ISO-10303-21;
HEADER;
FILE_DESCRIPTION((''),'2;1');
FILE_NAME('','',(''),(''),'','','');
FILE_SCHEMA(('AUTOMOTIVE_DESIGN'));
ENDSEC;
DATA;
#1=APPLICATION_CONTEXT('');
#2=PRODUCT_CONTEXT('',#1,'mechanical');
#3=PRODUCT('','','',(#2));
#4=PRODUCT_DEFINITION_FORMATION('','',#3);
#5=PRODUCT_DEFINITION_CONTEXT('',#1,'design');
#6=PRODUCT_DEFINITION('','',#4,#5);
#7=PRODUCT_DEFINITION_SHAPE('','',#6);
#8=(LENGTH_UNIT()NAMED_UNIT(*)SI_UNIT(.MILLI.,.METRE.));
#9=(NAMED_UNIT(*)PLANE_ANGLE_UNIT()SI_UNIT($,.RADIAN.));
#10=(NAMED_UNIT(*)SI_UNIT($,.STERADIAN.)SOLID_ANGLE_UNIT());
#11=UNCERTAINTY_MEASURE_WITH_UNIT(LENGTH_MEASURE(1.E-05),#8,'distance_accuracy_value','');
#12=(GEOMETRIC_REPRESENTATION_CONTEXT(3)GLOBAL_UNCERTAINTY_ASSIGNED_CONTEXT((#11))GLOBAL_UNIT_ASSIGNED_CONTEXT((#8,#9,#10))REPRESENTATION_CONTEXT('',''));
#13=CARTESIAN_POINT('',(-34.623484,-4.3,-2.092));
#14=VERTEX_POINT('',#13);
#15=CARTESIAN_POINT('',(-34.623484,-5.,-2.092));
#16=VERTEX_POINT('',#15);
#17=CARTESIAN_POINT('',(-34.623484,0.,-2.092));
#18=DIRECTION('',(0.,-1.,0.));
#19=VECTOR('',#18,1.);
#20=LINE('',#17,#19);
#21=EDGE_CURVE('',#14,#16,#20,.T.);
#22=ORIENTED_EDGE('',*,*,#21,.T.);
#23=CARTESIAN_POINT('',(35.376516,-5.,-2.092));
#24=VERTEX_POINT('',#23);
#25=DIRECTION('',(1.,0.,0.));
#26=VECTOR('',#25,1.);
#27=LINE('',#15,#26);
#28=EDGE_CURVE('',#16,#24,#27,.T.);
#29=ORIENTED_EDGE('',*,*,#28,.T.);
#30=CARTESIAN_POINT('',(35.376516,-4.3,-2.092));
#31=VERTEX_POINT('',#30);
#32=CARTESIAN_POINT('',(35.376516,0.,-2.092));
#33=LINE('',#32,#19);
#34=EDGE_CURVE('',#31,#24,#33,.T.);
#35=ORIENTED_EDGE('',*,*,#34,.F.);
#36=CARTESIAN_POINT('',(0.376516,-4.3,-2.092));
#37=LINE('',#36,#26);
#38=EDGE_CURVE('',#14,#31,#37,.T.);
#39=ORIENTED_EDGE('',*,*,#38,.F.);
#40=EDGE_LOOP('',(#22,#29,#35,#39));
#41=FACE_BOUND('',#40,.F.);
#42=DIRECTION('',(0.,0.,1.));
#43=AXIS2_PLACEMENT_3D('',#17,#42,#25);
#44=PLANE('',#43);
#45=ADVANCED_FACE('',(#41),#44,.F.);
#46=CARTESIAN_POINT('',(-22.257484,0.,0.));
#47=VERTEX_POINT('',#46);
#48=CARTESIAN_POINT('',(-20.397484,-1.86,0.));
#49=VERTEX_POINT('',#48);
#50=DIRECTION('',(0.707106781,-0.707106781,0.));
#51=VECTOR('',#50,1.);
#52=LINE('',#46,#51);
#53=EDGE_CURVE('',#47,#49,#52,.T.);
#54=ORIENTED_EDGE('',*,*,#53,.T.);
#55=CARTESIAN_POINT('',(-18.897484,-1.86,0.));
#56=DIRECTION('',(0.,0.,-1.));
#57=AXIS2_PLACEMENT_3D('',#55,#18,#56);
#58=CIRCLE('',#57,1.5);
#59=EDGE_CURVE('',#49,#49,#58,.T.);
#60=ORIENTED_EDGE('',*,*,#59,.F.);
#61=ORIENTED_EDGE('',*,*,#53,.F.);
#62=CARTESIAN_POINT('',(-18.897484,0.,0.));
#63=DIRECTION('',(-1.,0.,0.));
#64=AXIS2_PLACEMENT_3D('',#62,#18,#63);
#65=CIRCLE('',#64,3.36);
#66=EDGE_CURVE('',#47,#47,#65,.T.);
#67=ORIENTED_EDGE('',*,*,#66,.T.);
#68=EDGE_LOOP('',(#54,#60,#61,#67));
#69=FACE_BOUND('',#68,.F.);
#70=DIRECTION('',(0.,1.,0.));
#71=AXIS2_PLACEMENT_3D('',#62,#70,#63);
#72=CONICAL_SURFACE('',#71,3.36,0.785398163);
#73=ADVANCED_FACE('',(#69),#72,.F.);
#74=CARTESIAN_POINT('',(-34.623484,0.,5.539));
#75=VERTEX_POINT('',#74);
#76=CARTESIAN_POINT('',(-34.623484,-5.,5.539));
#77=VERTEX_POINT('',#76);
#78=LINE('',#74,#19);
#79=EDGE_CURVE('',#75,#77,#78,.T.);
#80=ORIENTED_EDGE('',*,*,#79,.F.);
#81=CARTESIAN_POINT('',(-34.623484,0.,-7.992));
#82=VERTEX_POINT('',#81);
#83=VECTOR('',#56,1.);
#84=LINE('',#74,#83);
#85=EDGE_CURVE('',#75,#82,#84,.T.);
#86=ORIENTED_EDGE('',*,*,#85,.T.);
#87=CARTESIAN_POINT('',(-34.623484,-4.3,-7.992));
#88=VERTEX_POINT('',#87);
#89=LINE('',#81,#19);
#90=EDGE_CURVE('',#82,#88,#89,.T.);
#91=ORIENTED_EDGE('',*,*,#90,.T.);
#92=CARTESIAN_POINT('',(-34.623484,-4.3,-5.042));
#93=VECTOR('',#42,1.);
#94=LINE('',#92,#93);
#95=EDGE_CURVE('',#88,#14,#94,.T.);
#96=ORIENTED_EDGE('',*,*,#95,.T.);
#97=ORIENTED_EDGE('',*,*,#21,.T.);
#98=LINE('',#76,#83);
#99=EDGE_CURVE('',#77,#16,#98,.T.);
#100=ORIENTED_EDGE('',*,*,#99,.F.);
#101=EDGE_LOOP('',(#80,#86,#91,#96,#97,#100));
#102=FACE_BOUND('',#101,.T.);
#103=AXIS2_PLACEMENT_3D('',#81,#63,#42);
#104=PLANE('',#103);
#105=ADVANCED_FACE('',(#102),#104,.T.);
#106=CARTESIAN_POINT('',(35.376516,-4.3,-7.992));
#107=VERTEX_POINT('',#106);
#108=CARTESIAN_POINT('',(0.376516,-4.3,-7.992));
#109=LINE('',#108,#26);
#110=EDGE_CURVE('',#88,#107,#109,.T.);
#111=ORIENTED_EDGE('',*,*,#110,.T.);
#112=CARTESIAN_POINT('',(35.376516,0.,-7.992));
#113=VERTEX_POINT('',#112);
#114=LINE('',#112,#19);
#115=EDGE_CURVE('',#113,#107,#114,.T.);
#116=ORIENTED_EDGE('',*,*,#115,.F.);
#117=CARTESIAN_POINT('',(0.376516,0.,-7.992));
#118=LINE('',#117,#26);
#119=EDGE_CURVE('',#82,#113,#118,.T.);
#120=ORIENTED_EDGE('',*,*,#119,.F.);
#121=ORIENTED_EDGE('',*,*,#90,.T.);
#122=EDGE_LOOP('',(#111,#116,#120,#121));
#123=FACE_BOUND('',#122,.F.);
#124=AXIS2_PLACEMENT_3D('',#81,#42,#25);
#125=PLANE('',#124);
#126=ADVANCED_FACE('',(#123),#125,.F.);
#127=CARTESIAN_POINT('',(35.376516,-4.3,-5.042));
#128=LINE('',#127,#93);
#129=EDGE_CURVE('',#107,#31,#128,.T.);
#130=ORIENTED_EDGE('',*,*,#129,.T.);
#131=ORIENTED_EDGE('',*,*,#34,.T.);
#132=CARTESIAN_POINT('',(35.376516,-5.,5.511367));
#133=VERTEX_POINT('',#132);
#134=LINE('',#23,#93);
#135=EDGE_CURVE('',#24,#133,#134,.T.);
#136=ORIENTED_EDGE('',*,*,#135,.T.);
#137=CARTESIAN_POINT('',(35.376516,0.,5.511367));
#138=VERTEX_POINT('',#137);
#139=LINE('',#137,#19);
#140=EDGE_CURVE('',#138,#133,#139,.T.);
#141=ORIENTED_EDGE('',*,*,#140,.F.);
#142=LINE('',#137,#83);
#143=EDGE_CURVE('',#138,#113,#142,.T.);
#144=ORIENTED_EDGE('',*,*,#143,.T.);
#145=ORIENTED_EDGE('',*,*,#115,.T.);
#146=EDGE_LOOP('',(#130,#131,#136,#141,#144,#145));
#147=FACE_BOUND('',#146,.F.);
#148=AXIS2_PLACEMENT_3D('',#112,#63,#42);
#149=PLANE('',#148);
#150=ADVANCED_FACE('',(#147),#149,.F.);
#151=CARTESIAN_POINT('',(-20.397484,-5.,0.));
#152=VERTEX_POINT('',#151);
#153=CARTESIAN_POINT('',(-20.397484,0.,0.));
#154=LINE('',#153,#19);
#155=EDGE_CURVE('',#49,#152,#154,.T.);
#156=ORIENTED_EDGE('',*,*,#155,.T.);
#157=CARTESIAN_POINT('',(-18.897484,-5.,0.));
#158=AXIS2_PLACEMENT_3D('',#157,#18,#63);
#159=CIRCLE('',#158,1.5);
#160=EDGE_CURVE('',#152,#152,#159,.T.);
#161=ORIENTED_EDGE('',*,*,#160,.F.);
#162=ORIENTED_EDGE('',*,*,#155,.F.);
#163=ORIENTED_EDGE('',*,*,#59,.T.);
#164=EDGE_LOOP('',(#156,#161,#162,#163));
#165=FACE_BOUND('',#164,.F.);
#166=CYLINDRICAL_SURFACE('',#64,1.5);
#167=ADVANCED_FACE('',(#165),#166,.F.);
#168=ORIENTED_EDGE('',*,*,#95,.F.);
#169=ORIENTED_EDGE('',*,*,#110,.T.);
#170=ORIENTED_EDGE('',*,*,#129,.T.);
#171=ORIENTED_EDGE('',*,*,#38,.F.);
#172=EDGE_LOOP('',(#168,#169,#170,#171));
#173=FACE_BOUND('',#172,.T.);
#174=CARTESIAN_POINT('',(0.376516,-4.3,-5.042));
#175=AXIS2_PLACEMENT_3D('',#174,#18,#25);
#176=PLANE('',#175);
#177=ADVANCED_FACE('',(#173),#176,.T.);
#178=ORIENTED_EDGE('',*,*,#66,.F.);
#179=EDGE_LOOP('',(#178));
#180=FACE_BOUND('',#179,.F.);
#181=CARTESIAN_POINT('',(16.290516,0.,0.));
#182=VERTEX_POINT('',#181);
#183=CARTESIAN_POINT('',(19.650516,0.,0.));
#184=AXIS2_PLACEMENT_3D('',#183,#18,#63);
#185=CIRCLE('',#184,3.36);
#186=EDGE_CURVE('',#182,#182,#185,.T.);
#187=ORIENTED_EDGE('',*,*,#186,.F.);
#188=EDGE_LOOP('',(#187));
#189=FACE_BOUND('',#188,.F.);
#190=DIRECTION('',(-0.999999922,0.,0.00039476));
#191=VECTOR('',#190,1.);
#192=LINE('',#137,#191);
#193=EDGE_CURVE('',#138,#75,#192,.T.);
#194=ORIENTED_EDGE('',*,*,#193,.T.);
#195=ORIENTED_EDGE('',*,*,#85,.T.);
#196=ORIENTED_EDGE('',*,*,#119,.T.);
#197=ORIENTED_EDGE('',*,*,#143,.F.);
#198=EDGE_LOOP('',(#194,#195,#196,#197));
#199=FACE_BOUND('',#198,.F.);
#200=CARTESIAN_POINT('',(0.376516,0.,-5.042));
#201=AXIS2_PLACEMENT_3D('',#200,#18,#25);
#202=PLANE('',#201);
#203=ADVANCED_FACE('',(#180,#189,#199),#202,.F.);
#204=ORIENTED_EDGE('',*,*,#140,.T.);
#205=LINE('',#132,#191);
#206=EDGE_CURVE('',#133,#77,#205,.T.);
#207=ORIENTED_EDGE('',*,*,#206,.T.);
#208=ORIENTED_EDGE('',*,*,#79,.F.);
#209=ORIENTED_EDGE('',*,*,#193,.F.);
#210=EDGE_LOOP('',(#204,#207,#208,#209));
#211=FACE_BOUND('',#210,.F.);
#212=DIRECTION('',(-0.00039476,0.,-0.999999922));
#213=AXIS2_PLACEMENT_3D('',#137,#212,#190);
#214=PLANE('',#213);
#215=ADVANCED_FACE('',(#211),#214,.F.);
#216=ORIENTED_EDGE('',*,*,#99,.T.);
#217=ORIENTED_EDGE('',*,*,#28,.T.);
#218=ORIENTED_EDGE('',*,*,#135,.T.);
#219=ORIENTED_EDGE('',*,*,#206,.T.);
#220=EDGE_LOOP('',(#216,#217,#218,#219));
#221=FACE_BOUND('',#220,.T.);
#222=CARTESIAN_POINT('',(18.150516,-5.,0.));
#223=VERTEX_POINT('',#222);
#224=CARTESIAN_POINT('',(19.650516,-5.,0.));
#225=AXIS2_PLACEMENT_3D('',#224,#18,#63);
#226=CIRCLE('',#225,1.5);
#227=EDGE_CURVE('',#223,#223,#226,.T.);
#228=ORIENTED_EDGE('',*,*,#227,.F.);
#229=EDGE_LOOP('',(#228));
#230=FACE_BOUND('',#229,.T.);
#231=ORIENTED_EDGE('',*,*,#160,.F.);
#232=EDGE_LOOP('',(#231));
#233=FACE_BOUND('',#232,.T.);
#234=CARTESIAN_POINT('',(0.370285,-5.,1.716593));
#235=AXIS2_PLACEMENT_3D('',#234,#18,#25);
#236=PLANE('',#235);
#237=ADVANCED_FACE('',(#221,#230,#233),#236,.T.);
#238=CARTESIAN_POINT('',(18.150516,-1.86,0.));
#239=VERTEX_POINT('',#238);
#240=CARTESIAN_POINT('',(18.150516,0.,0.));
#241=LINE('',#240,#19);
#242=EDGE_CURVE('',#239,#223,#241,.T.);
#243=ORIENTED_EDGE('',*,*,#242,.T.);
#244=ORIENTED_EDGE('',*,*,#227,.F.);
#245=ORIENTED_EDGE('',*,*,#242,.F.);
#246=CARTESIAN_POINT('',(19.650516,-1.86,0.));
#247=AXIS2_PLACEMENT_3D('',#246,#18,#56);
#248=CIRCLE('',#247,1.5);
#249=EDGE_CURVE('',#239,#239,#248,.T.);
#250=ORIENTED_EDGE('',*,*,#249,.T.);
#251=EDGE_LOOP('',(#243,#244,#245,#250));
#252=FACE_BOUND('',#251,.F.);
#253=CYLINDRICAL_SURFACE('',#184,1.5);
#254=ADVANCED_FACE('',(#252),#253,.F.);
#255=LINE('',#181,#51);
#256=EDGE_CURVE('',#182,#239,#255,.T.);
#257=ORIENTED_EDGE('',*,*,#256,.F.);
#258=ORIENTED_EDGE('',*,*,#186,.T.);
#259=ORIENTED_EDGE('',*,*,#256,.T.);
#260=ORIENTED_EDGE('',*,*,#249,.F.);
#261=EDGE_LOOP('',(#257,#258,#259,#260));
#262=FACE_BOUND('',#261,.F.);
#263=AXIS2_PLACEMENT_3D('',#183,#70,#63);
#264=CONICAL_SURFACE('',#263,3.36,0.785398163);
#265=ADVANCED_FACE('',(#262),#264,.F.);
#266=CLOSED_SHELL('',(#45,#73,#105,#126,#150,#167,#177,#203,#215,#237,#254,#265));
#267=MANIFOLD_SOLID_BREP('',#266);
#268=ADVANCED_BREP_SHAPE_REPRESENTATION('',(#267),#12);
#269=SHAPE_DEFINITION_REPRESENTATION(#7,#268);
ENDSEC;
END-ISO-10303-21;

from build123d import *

# Parameters (mm, degrees)
F1_DEPTH       = 5
F0_W           = 70
F0_H           = 5.9
F2_DEPTH       = 4.3
F3_D           = 3
F3_CSINK_D     = 6.72
F3_CSINK_ANGLE = 90


with BuildPart() as f1:
    # F0 (on Front) → F1 (new body)
    with BuildSketch(Plane.XZ):
        Polygon((-34.6234844969, 5.539), (-34.6234844969, 0), (-34.6234844969, -2.092), (35.3765155031, -2.092), (35.3765155031, 0), (35.3765155031, 5.511366824), align=None)
    extrude(amount=F1_DEPTH)

    # F0 (on Front) → F2 (join)
    with BuildSketch(Plane.XZ):
        with Locations((0.3765155031, -5.042)):
            Rectangle(F0_W, F0_H)
    extrude(amount=F2_DEPTH)

    # F3 (through all)
    with Locations(Plane(origin=(0, 0, 0), x_dir=(1, 0, 0), z_dir=(0, 1, 0))):
        with Locations((19.6505155031, 0), (-18.8974844969, 0)):
            CounterSinkHole(F3_D / 2, F3_CSINK_D / 2, counter_sink_angle=F3_CSINK_ANGLE)


solid = f1.part
